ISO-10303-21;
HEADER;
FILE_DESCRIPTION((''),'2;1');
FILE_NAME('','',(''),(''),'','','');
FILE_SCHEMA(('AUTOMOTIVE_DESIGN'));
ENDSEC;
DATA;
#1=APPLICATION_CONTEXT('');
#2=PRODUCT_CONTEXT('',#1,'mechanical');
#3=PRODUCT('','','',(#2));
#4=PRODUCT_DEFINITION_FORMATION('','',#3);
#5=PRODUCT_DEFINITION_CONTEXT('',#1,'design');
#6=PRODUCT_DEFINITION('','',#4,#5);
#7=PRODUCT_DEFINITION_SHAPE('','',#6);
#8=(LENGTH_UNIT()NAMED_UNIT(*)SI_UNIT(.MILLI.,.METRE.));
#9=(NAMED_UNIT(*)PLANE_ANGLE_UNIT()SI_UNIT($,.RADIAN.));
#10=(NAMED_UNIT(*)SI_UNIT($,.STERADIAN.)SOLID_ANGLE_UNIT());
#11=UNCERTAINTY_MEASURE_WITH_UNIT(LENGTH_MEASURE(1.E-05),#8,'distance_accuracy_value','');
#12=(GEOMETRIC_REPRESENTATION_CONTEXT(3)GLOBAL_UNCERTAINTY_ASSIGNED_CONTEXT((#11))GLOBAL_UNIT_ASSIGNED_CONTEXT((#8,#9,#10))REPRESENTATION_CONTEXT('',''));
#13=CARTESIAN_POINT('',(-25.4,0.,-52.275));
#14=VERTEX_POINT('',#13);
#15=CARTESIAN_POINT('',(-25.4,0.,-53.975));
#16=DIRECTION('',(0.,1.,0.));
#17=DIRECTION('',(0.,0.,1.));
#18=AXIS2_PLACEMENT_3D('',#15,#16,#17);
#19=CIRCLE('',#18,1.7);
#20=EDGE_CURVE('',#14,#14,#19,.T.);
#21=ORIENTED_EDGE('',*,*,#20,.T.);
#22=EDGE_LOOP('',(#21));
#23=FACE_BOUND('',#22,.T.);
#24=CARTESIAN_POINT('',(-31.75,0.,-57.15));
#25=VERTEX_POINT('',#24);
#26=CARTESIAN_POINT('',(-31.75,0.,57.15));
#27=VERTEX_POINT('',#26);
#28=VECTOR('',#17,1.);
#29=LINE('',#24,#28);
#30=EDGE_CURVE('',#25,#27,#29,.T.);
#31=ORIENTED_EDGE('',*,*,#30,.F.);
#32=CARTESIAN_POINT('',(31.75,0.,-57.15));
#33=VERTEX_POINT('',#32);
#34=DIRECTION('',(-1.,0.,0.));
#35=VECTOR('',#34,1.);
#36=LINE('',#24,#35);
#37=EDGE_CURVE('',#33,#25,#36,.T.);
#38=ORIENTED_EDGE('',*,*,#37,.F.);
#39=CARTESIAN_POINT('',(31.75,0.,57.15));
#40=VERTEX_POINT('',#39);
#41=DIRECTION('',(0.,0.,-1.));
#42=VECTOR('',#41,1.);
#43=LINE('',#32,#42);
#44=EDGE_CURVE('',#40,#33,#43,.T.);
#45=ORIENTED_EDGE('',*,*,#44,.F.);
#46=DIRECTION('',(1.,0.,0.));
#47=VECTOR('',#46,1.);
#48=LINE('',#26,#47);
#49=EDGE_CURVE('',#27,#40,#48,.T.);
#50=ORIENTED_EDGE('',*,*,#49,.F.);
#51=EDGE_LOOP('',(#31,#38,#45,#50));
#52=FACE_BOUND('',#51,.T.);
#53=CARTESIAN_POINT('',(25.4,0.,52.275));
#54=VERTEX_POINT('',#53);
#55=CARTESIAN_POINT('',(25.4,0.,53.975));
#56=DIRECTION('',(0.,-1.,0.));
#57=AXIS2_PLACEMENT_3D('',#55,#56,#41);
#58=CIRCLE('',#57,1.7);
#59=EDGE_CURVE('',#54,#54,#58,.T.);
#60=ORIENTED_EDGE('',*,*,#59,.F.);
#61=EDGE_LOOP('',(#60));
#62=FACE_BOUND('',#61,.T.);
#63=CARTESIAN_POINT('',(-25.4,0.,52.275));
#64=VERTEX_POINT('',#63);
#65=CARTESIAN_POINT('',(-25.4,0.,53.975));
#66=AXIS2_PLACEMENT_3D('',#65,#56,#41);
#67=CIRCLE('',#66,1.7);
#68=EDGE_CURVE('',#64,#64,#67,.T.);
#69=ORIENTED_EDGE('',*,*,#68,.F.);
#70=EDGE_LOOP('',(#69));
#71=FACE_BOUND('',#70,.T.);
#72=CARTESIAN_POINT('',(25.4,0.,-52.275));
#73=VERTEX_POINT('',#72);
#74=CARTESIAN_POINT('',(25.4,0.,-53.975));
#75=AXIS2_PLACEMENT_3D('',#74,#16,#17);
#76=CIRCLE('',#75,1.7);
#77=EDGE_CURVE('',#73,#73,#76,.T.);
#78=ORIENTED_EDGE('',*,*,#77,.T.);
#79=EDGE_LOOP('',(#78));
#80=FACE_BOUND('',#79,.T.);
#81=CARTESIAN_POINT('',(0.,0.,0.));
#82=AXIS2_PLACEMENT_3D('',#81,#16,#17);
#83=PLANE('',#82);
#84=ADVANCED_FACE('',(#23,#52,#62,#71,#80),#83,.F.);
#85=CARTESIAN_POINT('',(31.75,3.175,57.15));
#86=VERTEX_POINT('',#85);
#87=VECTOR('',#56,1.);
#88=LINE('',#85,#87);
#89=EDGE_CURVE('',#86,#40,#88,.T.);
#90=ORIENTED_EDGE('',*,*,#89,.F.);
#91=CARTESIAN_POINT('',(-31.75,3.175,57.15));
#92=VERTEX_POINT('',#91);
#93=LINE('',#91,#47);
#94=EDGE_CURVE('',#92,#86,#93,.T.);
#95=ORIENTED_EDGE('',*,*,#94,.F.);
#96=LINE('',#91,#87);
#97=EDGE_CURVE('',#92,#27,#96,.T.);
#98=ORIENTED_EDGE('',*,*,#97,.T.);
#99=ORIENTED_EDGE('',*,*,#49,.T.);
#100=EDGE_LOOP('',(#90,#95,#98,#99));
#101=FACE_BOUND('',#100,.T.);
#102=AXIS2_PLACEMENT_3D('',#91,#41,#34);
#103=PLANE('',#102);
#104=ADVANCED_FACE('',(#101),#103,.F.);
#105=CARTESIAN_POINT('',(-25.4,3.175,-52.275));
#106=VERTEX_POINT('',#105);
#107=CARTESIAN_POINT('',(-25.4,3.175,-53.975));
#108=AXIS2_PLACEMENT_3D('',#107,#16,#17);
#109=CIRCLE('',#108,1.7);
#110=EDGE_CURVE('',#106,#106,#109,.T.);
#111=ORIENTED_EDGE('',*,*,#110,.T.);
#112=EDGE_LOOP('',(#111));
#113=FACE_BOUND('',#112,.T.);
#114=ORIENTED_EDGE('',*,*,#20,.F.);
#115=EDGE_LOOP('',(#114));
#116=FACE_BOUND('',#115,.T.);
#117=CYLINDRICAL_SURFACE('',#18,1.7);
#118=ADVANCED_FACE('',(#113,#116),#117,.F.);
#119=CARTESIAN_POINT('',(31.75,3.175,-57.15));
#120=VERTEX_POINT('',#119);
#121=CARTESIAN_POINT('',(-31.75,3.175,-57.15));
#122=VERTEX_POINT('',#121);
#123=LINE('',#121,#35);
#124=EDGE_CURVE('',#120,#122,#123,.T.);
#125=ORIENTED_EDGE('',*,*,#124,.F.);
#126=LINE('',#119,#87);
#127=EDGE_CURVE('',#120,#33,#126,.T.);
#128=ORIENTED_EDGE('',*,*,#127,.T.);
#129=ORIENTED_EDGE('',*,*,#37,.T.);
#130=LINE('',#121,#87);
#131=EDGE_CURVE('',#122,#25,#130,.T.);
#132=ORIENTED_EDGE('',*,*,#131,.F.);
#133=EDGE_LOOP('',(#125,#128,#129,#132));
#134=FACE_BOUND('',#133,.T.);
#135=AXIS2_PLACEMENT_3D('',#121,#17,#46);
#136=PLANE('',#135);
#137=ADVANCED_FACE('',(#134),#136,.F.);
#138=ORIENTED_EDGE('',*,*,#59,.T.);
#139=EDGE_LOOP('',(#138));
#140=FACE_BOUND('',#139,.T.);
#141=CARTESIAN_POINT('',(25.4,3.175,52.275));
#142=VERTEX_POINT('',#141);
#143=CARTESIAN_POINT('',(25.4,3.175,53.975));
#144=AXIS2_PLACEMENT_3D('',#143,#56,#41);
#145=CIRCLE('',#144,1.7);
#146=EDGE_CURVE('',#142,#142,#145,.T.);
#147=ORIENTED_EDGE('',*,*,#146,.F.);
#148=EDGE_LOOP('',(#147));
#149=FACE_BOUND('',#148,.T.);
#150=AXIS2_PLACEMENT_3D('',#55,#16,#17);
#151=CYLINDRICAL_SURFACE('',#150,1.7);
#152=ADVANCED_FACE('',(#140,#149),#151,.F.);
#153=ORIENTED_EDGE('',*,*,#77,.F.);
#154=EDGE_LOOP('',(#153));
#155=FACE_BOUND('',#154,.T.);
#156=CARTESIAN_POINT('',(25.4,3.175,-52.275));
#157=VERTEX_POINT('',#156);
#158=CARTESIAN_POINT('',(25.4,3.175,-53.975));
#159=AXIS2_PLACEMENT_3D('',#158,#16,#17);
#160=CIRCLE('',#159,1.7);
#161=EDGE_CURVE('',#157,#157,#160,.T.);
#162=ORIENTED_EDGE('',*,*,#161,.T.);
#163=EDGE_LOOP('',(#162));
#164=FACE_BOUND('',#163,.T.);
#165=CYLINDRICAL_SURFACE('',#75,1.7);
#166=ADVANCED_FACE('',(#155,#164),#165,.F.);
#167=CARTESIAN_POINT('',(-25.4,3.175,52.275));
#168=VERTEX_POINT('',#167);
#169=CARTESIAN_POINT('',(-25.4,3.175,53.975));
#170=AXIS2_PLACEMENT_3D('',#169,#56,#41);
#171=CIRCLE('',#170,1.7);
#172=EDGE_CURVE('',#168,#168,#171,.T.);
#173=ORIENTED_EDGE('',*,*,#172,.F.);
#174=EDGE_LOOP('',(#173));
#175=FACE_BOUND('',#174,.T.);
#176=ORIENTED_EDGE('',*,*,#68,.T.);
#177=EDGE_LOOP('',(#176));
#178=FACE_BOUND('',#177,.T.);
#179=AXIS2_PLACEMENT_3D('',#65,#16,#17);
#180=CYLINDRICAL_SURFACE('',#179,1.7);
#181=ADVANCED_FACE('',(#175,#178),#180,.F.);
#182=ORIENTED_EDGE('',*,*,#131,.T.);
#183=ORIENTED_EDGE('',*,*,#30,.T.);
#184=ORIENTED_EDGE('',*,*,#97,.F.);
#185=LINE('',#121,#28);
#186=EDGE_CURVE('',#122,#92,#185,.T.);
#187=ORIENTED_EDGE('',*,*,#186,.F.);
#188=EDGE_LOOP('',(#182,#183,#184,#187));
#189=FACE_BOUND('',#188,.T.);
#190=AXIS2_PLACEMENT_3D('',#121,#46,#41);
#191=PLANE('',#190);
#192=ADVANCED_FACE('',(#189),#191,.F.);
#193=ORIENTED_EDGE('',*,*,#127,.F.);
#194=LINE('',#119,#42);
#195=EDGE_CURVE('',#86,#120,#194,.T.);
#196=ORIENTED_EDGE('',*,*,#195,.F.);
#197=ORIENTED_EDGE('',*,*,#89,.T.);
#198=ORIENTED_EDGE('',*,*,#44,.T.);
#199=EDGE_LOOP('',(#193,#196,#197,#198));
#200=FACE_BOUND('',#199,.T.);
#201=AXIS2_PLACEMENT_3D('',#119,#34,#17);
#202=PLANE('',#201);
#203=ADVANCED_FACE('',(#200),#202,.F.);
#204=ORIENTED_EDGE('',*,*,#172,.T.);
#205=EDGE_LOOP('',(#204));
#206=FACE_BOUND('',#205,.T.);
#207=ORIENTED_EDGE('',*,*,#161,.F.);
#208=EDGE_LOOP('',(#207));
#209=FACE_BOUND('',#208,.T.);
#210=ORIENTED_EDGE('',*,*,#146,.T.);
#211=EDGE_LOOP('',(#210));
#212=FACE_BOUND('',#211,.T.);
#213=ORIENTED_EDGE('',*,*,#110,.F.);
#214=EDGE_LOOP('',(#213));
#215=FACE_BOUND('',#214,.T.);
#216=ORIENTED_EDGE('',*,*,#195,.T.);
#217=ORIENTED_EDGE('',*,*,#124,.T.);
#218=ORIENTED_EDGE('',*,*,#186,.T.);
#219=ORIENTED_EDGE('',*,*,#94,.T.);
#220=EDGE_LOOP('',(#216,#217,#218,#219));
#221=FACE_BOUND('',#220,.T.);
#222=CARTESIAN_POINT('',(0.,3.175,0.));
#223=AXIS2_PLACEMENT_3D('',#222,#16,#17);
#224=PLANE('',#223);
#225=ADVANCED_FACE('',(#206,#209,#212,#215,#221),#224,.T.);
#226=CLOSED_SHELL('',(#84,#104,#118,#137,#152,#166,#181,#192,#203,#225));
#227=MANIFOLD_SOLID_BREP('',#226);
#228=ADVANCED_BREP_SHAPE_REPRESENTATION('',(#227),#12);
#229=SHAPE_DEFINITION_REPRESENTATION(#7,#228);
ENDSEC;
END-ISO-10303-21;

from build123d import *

# Parameters (mm, degrees)
SKETCH1_W           = 63.5
SKETCH1_H           = 114.3
BOSS_EXTRUDE1_DEPTH = 3.175
SKETCH2_R           = 1.7
CUT_EXTRUDE1_DEPTH  = 66.454301807


with BuildPart() as part:
    # Sketch1 → Boss-Extrude1 (new body)
    with BuildSketch(Plane(origin=(0, 0, 0), x_dir=(1, 0, 0), z_dir=(0, 1, 0))):
        Rectangle(SKETCH1_W, SKETCH1_H)
    extrude(amount=BOSS_EXTRUDE1_DEPTH)

    # Sketch2 → Cut-Extrude1 (cut, through all)
    with BuildSketch(Plane(origin=(0, 3.175, 0), x_dir=(1, 0, 0), z_dir=(0, 1, 0))):
        with Locations(Location((-25.4, 53.975, 0), (0, 0, 270))):
            Circle(SKETCH2_R)
        with Locations(Location((25.4, 53.975, 0), (0, 0, 270))):
            Circle(SKETCH2_R)
    cut_extrude1 = extrude(amount=-CUT_EXTRUDE1_DEPTH, mode=Mode.SUBTRACT)

    # Mirror1: Cut-Extrude1 across plane
    add(cut_extrude1.mirror(Plane.XY), mode=Mode.SUBTRACT)


solid = part.part
